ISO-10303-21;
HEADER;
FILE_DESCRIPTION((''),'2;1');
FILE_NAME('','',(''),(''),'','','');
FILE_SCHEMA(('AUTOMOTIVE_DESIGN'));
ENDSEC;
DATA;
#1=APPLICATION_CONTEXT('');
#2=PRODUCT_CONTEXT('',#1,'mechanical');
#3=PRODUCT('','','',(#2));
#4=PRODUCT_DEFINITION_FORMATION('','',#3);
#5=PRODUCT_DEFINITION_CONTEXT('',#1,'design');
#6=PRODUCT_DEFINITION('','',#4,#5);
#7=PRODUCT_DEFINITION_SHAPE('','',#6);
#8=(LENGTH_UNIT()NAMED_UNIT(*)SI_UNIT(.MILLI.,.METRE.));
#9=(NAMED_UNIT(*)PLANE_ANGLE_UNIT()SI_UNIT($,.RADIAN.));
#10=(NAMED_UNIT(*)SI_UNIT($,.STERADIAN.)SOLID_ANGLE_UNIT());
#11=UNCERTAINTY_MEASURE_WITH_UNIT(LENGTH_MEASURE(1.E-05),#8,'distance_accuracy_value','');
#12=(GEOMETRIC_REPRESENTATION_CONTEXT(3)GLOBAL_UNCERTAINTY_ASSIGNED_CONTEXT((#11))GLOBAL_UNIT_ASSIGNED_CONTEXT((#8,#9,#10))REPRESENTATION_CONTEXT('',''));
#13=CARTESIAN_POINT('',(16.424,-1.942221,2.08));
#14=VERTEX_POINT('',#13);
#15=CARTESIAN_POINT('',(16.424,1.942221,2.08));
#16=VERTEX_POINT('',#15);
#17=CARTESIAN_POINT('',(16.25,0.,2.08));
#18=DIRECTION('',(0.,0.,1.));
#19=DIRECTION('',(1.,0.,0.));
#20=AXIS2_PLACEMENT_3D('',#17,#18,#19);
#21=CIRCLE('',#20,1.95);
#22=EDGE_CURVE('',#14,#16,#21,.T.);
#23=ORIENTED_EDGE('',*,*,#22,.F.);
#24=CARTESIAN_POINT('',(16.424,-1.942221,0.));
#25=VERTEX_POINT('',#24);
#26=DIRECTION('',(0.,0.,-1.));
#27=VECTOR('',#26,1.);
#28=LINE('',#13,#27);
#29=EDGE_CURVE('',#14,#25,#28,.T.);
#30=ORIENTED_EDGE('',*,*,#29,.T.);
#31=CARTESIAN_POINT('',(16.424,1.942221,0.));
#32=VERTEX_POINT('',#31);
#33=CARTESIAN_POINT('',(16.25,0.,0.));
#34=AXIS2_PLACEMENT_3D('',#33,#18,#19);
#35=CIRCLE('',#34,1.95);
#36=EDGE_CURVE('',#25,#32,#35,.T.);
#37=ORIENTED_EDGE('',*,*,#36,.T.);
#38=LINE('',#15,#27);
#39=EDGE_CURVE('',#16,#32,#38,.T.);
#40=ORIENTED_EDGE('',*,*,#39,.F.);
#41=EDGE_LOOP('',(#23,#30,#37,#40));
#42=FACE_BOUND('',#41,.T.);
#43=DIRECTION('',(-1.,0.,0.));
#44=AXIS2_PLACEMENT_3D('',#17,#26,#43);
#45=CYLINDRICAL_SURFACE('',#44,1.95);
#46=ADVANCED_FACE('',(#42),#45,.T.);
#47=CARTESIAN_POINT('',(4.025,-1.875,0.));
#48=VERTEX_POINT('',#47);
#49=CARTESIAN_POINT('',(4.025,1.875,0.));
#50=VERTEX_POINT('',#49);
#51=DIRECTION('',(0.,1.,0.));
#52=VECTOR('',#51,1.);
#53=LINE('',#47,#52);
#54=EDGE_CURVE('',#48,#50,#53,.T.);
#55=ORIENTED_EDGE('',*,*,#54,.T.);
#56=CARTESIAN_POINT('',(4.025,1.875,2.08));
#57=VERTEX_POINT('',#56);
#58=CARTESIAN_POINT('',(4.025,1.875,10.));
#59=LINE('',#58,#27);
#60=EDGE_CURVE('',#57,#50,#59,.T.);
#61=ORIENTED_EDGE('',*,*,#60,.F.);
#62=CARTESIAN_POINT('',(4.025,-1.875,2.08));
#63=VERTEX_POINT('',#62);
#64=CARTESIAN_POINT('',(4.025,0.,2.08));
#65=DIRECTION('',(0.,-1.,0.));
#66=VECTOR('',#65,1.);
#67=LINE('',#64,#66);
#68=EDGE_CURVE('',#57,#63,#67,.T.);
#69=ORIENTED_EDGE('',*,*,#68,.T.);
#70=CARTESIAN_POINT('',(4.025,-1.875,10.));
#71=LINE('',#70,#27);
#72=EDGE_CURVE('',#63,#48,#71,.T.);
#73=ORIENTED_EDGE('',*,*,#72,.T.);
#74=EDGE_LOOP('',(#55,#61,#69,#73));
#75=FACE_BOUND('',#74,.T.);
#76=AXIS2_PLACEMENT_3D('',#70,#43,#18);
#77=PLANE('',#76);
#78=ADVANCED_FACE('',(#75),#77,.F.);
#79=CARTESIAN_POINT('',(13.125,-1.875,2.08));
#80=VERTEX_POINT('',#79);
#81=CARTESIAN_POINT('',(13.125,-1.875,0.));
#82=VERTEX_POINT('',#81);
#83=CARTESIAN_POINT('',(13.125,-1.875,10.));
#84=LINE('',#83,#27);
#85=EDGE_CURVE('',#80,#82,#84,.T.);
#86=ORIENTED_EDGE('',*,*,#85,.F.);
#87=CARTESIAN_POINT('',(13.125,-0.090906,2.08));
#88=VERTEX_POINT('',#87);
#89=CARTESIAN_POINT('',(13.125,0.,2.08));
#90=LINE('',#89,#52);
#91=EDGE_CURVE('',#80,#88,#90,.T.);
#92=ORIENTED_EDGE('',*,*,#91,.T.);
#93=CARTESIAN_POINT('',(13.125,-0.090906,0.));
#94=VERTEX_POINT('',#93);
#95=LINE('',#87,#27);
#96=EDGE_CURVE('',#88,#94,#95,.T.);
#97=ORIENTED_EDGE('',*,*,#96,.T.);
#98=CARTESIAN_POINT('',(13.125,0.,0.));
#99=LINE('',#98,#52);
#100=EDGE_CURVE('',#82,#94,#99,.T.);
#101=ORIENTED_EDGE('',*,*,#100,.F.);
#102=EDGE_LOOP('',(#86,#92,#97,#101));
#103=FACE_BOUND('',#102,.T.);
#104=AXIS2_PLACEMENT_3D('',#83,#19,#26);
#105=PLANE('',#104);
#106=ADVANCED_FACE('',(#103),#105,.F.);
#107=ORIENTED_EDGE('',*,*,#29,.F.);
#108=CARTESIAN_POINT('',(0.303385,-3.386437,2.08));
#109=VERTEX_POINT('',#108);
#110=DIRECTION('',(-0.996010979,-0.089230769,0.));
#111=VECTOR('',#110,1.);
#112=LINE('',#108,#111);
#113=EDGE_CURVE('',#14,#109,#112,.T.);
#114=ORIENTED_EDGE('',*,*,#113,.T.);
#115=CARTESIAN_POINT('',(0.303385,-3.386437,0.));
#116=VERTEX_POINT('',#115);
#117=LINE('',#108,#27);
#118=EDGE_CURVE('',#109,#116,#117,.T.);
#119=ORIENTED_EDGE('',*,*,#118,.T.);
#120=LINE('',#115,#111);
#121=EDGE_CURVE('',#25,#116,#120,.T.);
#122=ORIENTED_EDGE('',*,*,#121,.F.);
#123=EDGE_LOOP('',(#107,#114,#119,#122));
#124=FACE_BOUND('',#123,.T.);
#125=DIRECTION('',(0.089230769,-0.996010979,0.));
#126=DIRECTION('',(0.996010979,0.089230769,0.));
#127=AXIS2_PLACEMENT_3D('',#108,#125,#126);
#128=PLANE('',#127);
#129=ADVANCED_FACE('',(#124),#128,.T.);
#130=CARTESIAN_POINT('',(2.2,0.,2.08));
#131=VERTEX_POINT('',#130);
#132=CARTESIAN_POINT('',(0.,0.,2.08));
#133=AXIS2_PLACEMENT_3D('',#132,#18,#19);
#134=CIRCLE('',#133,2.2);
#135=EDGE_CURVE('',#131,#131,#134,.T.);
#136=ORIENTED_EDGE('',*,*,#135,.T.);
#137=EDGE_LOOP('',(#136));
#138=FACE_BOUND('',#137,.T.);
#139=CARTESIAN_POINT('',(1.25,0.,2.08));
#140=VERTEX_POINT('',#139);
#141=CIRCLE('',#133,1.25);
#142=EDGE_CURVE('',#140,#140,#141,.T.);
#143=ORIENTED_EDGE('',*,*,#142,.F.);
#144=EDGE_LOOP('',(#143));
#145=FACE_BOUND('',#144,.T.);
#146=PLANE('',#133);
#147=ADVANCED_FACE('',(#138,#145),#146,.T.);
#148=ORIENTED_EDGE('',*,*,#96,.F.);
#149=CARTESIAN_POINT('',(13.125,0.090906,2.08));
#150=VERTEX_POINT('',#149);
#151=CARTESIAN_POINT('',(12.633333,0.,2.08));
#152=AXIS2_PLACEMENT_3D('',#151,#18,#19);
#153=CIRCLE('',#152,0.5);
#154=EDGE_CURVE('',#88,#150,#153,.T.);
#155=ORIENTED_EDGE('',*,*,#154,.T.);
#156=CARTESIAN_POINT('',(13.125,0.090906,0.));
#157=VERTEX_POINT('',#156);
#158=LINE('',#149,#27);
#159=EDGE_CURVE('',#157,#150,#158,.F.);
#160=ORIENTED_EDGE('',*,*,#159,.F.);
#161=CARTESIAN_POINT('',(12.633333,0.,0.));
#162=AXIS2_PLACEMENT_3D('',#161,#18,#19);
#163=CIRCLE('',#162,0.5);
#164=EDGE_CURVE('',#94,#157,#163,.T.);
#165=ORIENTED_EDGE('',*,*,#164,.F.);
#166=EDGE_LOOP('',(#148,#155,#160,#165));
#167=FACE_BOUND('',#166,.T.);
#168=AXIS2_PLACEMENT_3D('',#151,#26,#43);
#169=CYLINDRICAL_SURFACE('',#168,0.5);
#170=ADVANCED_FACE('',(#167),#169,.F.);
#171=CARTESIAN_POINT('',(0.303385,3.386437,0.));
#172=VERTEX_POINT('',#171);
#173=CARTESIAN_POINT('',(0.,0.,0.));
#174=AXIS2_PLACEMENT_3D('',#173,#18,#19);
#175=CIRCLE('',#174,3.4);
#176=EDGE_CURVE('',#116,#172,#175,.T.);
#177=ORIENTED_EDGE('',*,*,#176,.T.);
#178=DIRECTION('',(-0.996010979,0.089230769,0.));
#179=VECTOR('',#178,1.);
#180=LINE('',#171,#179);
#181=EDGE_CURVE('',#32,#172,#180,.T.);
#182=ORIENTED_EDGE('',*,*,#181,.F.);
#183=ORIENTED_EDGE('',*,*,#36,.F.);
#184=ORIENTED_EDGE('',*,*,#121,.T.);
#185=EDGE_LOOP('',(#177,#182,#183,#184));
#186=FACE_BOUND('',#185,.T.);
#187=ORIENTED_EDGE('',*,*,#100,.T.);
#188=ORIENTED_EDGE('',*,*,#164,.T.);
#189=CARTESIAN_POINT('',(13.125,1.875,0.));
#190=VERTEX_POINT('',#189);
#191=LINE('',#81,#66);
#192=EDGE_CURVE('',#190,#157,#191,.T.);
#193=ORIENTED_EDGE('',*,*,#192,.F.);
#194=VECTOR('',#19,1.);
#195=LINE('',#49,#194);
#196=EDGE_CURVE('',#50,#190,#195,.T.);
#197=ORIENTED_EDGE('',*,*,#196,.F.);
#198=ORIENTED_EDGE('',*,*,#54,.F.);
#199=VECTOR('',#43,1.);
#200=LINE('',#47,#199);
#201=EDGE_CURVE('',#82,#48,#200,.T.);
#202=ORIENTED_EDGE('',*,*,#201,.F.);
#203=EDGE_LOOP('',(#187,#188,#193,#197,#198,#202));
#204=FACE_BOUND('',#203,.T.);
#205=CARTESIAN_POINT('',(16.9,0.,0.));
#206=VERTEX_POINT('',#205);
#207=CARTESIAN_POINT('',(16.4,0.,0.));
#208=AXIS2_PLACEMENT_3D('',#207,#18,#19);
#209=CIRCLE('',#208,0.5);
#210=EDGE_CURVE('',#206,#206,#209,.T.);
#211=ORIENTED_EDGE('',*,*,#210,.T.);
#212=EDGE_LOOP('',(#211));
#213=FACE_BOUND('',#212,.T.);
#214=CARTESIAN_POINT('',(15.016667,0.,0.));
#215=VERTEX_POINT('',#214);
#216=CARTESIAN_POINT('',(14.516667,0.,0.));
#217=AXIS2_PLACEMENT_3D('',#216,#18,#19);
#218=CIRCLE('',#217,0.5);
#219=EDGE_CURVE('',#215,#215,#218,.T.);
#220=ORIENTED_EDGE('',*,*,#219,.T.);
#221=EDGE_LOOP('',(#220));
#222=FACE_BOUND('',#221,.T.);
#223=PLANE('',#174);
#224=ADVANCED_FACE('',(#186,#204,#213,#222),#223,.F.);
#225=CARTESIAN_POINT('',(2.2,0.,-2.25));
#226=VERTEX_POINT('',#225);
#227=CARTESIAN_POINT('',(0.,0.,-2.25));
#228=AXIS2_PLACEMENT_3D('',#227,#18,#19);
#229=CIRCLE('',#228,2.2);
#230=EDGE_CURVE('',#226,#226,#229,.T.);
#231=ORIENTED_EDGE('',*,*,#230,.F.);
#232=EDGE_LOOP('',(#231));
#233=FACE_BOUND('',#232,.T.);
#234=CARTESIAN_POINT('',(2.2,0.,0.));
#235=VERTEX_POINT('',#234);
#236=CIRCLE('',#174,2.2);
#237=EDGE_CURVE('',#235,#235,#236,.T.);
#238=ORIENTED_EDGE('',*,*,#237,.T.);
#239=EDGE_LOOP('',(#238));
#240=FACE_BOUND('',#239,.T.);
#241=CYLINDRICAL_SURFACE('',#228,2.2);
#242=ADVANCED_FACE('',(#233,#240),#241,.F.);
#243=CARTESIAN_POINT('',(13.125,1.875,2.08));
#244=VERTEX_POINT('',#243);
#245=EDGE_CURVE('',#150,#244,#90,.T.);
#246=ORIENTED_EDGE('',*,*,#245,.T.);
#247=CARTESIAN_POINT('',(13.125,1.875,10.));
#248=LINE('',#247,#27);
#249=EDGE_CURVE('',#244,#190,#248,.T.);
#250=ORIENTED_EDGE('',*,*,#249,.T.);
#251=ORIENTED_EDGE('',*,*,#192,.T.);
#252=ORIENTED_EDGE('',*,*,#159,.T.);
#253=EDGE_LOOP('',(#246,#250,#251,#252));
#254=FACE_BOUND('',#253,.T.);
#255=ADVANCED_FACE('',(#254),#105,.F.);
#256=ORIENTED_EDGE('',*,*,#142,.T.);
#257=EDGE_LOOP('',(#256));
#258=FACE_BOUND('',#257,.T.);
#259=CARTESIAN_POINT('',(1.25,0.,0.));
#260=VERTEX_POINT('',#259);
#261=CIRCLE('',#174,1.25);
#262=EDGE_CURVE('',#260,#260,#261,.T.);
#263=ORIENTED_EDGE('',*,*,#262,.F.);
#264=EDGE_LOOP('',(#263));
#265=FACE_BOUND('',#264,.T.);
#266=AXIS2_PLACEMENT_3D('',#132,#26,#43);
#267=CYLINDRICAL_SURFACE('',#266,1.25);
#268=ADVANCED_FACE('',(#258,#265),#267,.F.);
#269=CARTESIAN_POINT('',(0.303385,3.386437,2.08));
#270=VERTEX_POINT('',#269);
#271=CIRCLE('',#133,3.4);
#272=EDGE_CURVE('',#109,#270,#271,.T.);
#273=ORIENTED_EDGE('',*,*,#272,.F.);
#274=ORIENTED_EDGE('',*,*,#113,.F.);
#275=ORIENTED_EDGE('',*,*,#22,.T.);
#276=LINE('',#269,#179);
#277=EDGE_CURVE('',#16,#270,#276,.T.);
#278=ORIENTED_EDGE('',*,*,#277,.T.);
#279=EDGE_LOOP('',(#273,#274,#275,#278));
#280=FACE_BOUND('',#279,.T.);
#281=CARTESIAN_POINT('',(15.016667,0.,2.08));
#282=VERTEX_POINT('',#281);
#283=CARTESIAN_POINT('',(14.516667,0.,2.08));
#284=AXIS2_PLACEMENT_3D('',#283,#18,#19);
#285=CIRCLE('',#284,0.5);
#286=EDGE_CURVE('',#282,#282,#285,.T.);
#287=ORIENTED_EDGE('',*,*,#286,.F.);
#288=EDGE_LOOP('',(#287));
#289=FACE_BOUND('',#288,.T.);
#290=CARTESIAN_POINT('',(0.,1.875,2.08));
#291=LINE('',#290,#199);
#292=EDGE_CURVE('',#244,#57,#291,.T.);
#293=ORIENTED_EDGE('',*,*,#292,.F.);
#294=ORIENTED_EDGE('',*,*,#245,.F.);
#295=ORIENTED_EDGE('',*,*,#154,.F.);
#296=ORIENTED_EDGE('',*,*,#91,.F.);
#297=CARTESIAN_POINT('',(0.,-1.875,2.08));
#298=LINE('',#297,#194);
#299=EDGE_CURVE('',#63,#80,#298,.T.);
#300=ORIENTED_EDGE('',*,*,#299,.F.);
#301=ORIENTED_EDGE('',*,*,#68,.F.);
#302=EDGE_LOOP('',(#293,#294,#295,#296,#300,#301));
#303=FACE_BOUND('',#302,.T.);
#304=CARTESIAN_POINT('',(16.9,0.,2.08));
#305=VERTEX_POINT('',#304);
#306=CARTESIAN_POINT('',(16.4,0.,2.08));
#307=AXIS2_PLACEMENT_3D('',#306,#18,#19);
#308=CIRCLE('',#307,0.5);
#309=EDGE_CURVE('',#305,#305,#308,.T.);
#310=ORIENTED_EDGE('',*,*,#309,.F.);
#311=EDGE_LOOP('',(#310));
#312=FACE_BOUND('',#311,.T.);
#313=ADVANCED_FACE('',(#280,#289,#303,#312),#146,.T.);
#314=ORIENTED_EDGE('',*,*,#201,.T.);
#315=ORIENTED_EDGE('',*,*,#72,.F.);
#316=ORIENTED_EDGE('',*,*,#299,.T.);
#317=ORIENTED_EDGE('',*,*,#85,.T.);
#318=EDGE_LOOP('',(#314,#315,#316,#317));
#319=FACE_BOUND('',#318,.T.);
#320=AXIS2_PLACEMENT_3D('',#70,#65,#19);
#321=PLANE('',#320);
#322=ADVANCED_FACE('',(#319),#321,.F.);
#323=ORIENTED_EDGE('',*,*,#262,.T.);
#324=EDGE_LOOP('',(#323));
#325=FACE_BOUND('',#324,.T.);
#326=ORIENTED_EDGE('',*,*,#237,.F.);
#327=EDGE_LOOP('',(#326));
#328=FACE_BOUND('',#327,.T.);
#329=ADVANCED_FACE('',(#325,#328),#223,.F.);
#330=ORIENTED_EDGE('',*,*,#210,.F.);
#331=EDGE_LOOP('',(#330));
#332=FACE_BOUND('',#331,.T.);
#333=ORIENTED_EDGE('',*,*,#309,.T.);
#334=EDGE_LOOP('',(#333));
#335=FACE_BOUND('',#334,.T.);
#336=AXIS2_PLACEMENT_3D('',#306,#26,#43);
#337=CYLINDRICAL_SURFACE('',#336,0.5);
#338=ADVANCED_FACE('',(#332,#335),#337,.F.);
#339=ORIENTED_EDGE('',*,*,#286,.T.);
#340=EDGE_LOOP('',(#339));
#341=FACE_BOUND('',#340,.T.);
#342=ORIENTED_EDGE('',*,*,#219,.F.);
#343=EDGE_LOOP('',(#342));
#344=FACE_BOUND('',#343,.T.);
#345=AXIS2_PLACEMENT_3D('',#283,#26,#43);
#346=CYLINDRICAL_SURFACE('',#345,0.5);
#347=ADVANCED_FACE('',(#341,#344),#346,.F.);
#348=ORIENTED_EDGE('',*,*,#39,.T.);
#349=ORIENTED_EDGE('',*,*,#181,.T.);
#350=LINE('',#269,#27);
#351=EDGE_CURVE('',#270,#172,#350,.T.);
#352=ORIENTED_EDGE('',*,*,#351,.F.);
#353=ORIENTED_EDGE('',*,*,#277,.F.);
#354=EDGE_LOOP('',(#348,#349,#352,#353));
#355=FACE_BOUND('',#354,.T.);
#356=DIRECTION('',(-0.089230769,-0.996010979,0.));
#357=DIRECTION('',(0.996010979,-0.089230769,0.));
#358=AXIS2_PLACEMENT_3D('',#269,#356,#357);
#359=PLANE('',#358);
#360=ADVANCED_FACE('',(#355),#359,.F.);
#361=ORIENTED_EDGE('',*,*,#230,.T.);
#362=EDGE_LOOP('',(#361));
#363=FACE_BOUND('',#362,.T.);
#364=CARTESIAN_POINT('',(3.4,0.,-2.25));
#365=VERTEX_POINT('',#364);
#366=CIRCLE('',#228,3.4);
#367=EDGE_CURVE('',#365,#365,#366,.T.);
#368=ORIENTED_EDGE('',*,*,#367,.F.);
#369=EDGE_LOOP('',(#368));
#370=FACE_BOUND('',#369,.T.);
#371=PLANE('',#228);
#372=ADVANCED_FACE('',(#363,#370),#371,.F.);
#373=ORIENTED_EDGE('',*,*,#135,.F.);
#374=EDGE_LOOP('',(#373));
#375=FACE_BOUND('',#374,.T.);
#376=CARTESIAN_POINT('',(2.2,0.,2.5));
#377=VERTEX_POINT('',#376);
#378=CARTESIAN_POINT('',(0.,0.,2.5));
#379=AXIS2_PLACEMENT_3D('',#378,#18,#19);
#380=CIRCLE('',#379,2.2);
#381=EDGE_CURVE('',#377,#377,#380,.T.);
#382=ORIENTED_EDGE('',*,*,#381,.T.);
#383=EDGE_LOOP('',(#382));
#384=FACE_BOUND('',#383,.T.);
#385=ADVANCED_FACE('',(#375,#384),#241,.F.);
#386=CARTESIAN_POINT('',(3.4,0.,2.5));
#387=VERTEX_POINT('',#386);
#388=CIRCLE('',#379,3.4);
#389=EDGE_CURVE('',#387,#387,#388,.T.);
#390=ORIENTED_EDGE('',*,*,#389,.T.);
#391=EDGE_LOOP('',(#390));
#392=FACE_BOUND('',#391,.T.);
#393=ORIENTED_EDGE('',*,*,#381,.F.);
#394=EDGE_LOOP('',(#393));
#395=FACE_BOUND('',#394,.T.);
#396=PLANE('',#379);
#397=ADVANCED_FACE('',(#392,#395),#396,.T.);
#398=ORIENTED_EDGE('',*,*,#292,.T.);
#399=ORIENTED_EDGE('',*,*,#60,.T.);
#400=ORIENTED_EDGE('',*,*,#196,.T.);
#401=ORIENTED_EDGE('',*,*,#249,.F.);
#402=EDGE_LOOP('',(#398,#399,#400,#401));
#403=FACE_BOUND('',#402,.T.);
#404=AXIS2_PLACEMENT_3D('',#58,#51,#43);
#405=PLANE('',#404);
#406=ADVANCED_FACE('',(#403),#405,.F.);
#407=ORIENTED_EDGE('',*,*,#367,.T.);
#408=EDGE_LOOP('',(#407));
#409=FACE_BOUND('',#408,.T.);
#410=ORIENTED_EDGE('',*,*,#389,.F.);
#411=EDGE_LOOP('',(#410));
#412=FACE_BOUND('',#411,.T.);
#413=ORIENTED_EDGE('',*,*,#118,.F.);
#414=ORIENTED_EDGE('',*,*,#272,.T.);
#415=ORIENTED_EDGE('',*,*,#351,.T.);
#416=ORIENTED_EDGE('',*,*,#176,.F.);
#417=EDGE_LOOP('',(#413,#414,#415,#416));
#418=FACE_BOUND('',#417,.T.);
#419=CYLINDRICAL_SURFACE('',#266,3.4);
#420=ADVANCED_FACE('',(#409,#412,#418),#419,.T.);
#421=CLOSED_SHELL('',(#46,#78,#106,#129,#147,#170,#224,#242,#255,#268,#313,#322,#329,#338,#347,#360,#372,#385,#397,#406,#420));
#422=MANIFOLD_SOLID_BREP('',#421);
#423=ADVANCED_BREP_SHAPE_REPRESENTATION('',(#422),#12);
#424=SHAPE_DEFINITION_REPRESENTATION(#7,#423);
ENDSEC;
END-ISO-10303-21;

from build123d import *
from build123d.topology import SkipClean

# Parameters (mm, degrees)
SKETCH1_R               = 0.5
SKETCH1_R_2             = 1.25
BASE_DEPTH              = 2.08
CONNECTION_DEPTH        = 2.5
CONNECTION_DEPTH_BACK   = 2.25
SKETCH1_3_R             = 2.2
SKETCH2_W               = 9.1
SKETCH2_H               = 3.75
ALIGNMENT_CHANNEL_DEPTH = 10


with BuildPart() as part:
    # Sketch1 → Base (new body)
    with BuildSketch(Plane.XY):
        with BuildLine():
            ThreePointArc((16.424, -1.942221409), (18.2, 0), (16.424, 1.942221409))
            Line((16.424, 1.942221409), (0.303384615, 3.386437328))
            ThreePointArc((0.303384615, 3.386437328), (-3.4, 0), (0.303384615, -3.386437328))
            Line((0.303384615, -3.386437328), (16.424, -1.942221409))
        make_face()
        with Locations((5.1, 0)):
            Circle(SKETCH1_R, mode=Mode.SUBTRACT)
        with Locations((6.983333333, 0)):
            Circle(SKETCH1_R, mode=Mode.SUBTRACT)
        with Locations((8.866666667, 0)):
            Circle(SKETCH1_R, mode=Mode.SUBTRACT)
        with Locations((10.75, 0)):
            Circle(SKETCH1_R, mode=Mode.SUBTRACT)
        with Locations((12.633333333, 0)):
            Circle(SKETCH1_R, mode=Mode.SUBTRACT)
        with Locations((14.516666667, 0)):
            Circle(SKETCH1_R, mode=Mode.SUBTRACT)
        with Locations((16.4, 0)):
            Circle(SKETCH1_R, mode=Mode.SUBTRACT)
        Circle(SKETCH1_R_2, mode=Mode.SUBTRACT)
    extrude(amount=BASE_DEPTH)

    # Sketch1<3> → Connection (add, two sides: drawn at the far end of the back side and taken through both)
    with SkipClean():  # the faces are left unmerged after this step: merging them gives an invalid solid
        with BuildSketch(Plane.XY.offset(-CONNECTION_DEPTH_BACK)):
            with BuildLine():
                ThreePointArc((3.4, 0), (2.509134083, 2.294394507), (0.303384615, 3.386437328))
                ThreePointArc((0.303384615, 3.386437328), (-3.4, 0), (0.303384615, -3.386437328))
                ThreePointArc((0.303384615, -3.386437328), (2.509134083, -2.294394507), (3.4, 0))
            make_face()
            Circle(SKETCH1_3_R, mode=Mode.SUBTRACT)
        extrude(amount=CONNECTION_DEPTH + CONNECTION_DEPTH_BACK)

    # Sketch2 → Alignment channel (cut)
    with SkipClean():  # the faces are left unmerged after this step: merging them gives an invalid solid
        with BuildSketch(Plane(origin=(0, 0, 0), x_dir=(-1, 0, 0), z_dir=(0, 0, -1))):
            with Locations((-8.575, 0)):
                Rectangle(SKETCH2_W, SKETCH2_H)
        extrude(amount=-ALIGNMENT_CHANNEL_DEPTH, mode=Mode.SUBTRACT)


solid = part.part
